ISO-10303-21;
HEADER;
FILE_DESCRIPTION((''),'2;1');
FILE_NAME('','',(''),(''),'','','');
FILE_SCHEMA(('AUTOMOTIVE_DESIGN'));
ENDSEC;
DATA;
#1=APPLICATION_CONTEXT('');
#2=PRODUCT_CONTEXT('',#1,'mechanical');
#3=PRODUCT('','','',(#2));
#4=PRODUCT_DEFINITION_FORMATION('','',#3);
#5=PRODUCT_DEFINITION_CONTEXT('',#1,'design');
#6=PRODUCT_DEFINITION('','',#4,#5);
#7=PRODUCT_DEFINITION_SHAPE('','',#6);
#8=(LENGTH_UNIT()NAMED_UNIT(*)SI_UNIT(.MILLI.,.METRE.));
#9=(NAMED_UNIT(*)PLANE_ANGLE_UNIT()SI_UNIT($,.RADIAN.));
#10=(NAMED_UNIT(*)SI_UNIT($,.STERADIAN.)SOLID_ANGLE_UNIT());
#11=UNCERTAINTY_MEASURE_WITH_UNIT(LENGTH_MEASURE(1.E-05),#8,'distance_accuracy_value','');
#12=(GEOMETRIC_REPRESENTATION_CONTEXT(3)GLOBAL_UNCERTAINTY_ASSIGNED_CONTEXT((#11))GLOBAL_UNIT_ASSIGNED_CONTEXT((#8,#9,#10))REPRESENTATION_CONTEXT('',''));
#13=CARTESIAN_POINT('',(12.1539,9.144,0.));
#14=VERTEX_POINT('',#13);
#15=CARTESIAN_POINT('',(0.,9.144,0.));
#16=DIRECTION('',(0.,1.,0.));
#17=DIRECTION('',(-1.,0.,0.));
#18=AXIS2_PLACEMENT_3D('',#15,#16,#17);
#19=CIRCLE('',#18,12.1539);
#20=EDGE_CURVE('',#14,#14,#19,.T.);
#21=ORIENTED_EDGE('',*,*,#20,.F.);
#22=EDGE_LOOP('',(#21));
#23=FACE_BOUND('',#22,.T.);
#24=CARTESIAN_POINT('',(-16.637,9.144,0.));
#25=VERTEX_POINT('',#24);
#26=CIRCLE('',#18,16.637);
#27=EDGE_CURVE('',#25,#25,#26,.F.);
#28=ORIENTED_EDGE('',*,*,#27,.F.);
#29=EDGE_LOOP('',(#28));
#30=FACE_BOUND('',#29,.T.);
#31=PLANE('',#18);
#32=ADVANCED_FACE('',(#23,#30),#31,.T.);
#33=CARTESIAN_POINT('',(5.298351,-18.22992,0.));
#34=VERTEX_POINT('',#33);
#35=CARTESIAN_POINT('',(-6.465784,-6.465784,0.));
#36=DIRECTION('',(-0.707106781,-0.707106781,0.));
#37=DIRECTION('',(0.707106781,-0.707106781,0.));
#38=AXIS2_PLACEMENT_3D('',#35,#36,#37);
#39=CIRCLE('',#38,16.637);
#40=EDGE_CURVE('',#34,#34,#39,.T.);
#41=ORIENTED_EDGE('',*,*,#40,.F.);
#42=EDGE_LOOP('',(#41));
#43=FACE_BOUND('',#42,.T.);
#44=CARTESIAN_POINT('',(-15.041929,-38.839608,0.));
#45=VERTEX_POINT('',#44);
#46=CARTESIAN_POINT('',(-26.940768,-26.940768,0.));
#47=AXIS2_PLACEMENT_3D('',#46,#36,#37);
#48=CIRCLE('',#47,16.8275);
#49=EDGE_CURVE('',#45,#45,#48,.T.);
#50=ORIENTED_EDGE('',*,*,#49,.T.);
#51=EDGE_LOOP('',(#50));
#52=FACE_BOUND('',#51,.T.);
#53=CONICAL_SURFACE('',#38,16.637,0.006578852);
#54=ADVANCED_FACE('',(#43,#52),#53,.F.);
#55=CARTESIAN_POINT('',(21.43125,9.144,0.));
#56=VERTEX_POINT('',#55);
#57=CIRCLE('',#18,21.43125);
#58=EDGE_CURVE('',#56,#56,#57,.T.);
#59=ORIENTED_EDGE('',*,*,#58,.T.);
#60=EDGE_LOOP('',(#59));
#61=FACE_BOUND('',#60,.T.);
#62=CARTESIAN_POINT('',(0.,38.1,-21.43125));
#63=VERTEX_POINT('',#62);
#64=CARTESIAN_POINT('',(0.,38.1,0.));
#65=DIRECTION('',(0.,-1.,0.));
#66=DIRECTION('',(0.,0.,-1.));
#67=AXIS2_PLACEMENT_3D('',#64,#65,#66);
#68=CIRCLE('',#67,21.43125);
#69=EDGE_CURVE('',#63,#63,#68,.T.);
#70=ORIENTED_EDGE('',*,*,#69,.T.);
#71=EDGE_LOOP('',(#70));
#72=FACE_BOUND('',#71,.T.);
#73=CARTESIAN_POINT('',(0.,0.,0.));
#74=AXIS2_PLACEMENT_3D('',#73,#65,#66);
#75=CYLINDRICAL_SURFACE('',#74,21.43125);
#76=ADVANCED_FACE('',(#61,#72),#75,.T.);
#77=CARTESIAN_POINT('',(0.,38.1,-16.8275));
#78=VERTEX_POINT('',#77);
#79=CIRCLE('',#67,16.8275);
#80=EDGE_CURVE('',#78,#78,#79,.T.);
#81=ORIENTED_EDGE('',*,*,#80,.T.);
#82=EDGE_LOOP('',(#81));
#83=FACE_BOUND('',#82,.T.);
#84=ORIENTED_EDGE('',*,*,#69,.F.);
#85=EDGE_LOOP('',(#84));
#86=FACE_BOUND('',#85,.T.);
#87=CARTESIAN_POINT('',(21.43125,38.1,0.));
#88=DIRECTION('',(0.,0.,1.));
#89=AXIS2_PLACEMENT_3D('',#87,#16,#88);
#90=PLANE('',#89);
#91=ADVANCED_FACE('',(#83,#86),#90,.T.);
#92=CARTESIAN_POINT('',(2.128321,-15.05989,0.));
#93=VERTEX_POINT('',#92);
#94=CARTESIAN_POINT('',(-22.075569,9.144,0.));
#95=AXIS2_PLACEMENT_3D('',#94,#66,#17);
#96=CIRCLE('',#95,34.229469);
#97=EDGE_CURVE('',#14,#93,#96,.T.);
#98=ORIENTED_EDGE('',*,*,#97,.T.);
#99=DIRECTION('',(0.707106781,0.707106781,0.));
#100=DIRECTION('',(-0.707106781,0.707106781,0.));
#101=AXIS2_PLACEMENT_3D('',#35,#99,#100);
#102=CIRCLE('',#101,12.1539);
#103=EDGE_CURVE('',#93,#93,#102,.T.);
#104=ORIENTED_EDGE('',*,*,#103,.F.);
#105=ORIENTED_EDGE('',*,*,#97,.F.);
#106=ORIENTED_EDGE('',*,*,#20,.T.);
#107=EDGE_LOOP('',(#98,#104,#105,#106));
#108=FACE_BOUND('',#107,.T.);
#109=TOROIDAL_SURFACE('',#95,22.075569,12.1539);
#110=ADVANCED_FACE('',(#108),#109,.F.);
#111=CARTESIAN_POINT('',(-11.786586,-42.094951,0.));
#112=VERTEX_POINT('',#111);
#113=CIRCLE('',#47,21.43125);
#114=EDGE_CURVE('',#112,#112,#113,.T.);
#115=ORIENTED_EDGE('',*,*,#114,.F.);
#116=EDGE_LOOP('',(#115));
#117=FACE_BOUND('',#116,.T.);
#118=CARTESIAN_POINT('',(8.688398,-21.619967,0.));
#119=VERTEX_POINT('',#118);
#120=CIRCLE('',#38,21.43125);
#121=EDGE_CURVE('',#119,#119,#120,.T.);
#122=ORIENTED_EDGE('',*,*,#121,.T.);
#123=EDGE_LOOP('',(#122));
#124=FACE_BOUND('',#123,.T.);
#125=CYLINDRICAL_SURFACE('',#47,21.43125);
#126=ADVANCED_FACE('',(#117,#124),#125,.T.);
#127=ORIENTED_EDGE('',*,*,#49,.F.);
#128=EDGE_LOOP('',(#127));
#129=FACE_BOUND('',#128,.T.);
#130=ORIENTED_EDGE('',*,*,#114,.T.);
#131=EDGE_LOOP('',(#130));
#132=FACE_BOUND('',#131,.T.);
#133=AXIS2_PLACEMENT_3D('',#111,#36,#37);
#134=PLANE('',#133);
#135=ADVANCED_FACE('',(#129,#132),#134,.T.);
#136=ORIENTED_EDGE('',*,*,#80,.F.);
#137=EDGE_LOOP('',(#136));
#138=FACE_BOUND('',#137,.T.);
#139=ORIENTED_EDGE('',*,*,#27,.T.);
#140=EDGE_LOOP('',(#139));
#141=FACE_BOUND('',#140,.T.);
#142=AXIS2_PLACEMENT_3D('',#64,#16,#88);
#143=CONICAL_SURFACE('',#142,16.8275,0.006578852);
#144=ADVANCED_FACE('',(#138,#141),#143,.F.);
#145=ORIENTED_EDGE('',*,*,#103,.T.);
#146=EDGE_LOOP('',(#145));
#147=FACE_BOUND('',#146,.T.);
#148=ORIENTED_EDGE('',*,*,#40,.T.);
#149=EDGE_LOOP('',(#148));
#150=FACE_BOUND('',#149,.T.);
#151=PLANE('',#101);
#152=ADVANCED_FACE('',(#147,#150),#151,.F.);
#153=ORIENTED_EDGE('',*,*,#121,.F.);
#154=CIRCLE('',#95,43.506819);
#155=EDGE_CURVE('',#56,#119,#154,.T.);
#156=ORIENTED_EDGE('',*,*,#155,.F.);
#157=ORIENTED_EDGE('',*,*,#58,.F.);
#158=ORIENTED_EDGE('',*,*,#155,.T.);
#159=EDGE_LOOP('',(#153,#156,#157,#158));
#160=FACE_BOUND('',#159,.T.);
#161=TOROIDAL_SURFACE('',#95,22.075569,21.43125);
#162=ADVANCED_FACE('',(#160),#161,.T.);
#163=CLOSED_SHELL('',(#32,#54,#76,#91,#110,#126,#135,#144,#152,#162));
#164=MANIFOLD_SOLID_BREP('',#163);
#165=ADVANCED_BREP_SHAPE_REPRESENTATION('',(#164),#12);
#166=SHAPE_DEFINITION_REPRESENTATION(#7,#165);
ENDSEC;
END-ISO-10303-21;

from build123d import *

# Parameters (mm, degrees)
SKETCH3_R   = 21.43125
SKETCH3_R_2 = 12.1539


with BuildPart() as part:
    # Sketch1 → Revolve1 (revolve)
    with BuildSketch(Plane.XY):
        Polygon((-11.786586159, -42.094950568), (8.688397797, -21.619966611), (5.298351111, -18.229919926), (-15.041929003, -38.839607724), align=None)
    revolve(axis=Axis((-26.940768363, -26.940768363, 0), (0.707106781186549, 0.7071067811865461, 0)))



with BuildPart() as body_2:
    # Sketch2 → Revolve2 (revolve)
    with BuildSketch(Plane.XY):
        Polygon((16.8275, 38.1), (16.637, 9.144), (21.43125, 9.144), (21.43125, 38.1), align=None)
    revolve(axis=Axis((0, 0, 0), (0, 1, 0)))


with BuildPart() as part_1:
    add(part.part)

    add(body_2.part)  # Sweep1 merges body 2
    # Sweep1: sweep along a path in Sketch4
    with BuildLine(Plane.XY) as sweep1_path:
        ThreePointArc((-6.465784407, -6.465784407), (-1.680402618, 0.696045555), (0, 9.144))
    # Sketch3 → Sweep1 (sweep)
    with BuildSketch(Plane(origin=(-6.465784407, -6.465784407, 0), x_dir=(0, 0, -1), z_dir=(0.7071067811865488, 0.7071067811865464, 0))):
        Circle(SKETCH3_R)
        Circle(SKETCH3_R_2, mode=Mode.SUBTRACT)
    sweep(path=sweep1_path.line)


solid = part_1.part
